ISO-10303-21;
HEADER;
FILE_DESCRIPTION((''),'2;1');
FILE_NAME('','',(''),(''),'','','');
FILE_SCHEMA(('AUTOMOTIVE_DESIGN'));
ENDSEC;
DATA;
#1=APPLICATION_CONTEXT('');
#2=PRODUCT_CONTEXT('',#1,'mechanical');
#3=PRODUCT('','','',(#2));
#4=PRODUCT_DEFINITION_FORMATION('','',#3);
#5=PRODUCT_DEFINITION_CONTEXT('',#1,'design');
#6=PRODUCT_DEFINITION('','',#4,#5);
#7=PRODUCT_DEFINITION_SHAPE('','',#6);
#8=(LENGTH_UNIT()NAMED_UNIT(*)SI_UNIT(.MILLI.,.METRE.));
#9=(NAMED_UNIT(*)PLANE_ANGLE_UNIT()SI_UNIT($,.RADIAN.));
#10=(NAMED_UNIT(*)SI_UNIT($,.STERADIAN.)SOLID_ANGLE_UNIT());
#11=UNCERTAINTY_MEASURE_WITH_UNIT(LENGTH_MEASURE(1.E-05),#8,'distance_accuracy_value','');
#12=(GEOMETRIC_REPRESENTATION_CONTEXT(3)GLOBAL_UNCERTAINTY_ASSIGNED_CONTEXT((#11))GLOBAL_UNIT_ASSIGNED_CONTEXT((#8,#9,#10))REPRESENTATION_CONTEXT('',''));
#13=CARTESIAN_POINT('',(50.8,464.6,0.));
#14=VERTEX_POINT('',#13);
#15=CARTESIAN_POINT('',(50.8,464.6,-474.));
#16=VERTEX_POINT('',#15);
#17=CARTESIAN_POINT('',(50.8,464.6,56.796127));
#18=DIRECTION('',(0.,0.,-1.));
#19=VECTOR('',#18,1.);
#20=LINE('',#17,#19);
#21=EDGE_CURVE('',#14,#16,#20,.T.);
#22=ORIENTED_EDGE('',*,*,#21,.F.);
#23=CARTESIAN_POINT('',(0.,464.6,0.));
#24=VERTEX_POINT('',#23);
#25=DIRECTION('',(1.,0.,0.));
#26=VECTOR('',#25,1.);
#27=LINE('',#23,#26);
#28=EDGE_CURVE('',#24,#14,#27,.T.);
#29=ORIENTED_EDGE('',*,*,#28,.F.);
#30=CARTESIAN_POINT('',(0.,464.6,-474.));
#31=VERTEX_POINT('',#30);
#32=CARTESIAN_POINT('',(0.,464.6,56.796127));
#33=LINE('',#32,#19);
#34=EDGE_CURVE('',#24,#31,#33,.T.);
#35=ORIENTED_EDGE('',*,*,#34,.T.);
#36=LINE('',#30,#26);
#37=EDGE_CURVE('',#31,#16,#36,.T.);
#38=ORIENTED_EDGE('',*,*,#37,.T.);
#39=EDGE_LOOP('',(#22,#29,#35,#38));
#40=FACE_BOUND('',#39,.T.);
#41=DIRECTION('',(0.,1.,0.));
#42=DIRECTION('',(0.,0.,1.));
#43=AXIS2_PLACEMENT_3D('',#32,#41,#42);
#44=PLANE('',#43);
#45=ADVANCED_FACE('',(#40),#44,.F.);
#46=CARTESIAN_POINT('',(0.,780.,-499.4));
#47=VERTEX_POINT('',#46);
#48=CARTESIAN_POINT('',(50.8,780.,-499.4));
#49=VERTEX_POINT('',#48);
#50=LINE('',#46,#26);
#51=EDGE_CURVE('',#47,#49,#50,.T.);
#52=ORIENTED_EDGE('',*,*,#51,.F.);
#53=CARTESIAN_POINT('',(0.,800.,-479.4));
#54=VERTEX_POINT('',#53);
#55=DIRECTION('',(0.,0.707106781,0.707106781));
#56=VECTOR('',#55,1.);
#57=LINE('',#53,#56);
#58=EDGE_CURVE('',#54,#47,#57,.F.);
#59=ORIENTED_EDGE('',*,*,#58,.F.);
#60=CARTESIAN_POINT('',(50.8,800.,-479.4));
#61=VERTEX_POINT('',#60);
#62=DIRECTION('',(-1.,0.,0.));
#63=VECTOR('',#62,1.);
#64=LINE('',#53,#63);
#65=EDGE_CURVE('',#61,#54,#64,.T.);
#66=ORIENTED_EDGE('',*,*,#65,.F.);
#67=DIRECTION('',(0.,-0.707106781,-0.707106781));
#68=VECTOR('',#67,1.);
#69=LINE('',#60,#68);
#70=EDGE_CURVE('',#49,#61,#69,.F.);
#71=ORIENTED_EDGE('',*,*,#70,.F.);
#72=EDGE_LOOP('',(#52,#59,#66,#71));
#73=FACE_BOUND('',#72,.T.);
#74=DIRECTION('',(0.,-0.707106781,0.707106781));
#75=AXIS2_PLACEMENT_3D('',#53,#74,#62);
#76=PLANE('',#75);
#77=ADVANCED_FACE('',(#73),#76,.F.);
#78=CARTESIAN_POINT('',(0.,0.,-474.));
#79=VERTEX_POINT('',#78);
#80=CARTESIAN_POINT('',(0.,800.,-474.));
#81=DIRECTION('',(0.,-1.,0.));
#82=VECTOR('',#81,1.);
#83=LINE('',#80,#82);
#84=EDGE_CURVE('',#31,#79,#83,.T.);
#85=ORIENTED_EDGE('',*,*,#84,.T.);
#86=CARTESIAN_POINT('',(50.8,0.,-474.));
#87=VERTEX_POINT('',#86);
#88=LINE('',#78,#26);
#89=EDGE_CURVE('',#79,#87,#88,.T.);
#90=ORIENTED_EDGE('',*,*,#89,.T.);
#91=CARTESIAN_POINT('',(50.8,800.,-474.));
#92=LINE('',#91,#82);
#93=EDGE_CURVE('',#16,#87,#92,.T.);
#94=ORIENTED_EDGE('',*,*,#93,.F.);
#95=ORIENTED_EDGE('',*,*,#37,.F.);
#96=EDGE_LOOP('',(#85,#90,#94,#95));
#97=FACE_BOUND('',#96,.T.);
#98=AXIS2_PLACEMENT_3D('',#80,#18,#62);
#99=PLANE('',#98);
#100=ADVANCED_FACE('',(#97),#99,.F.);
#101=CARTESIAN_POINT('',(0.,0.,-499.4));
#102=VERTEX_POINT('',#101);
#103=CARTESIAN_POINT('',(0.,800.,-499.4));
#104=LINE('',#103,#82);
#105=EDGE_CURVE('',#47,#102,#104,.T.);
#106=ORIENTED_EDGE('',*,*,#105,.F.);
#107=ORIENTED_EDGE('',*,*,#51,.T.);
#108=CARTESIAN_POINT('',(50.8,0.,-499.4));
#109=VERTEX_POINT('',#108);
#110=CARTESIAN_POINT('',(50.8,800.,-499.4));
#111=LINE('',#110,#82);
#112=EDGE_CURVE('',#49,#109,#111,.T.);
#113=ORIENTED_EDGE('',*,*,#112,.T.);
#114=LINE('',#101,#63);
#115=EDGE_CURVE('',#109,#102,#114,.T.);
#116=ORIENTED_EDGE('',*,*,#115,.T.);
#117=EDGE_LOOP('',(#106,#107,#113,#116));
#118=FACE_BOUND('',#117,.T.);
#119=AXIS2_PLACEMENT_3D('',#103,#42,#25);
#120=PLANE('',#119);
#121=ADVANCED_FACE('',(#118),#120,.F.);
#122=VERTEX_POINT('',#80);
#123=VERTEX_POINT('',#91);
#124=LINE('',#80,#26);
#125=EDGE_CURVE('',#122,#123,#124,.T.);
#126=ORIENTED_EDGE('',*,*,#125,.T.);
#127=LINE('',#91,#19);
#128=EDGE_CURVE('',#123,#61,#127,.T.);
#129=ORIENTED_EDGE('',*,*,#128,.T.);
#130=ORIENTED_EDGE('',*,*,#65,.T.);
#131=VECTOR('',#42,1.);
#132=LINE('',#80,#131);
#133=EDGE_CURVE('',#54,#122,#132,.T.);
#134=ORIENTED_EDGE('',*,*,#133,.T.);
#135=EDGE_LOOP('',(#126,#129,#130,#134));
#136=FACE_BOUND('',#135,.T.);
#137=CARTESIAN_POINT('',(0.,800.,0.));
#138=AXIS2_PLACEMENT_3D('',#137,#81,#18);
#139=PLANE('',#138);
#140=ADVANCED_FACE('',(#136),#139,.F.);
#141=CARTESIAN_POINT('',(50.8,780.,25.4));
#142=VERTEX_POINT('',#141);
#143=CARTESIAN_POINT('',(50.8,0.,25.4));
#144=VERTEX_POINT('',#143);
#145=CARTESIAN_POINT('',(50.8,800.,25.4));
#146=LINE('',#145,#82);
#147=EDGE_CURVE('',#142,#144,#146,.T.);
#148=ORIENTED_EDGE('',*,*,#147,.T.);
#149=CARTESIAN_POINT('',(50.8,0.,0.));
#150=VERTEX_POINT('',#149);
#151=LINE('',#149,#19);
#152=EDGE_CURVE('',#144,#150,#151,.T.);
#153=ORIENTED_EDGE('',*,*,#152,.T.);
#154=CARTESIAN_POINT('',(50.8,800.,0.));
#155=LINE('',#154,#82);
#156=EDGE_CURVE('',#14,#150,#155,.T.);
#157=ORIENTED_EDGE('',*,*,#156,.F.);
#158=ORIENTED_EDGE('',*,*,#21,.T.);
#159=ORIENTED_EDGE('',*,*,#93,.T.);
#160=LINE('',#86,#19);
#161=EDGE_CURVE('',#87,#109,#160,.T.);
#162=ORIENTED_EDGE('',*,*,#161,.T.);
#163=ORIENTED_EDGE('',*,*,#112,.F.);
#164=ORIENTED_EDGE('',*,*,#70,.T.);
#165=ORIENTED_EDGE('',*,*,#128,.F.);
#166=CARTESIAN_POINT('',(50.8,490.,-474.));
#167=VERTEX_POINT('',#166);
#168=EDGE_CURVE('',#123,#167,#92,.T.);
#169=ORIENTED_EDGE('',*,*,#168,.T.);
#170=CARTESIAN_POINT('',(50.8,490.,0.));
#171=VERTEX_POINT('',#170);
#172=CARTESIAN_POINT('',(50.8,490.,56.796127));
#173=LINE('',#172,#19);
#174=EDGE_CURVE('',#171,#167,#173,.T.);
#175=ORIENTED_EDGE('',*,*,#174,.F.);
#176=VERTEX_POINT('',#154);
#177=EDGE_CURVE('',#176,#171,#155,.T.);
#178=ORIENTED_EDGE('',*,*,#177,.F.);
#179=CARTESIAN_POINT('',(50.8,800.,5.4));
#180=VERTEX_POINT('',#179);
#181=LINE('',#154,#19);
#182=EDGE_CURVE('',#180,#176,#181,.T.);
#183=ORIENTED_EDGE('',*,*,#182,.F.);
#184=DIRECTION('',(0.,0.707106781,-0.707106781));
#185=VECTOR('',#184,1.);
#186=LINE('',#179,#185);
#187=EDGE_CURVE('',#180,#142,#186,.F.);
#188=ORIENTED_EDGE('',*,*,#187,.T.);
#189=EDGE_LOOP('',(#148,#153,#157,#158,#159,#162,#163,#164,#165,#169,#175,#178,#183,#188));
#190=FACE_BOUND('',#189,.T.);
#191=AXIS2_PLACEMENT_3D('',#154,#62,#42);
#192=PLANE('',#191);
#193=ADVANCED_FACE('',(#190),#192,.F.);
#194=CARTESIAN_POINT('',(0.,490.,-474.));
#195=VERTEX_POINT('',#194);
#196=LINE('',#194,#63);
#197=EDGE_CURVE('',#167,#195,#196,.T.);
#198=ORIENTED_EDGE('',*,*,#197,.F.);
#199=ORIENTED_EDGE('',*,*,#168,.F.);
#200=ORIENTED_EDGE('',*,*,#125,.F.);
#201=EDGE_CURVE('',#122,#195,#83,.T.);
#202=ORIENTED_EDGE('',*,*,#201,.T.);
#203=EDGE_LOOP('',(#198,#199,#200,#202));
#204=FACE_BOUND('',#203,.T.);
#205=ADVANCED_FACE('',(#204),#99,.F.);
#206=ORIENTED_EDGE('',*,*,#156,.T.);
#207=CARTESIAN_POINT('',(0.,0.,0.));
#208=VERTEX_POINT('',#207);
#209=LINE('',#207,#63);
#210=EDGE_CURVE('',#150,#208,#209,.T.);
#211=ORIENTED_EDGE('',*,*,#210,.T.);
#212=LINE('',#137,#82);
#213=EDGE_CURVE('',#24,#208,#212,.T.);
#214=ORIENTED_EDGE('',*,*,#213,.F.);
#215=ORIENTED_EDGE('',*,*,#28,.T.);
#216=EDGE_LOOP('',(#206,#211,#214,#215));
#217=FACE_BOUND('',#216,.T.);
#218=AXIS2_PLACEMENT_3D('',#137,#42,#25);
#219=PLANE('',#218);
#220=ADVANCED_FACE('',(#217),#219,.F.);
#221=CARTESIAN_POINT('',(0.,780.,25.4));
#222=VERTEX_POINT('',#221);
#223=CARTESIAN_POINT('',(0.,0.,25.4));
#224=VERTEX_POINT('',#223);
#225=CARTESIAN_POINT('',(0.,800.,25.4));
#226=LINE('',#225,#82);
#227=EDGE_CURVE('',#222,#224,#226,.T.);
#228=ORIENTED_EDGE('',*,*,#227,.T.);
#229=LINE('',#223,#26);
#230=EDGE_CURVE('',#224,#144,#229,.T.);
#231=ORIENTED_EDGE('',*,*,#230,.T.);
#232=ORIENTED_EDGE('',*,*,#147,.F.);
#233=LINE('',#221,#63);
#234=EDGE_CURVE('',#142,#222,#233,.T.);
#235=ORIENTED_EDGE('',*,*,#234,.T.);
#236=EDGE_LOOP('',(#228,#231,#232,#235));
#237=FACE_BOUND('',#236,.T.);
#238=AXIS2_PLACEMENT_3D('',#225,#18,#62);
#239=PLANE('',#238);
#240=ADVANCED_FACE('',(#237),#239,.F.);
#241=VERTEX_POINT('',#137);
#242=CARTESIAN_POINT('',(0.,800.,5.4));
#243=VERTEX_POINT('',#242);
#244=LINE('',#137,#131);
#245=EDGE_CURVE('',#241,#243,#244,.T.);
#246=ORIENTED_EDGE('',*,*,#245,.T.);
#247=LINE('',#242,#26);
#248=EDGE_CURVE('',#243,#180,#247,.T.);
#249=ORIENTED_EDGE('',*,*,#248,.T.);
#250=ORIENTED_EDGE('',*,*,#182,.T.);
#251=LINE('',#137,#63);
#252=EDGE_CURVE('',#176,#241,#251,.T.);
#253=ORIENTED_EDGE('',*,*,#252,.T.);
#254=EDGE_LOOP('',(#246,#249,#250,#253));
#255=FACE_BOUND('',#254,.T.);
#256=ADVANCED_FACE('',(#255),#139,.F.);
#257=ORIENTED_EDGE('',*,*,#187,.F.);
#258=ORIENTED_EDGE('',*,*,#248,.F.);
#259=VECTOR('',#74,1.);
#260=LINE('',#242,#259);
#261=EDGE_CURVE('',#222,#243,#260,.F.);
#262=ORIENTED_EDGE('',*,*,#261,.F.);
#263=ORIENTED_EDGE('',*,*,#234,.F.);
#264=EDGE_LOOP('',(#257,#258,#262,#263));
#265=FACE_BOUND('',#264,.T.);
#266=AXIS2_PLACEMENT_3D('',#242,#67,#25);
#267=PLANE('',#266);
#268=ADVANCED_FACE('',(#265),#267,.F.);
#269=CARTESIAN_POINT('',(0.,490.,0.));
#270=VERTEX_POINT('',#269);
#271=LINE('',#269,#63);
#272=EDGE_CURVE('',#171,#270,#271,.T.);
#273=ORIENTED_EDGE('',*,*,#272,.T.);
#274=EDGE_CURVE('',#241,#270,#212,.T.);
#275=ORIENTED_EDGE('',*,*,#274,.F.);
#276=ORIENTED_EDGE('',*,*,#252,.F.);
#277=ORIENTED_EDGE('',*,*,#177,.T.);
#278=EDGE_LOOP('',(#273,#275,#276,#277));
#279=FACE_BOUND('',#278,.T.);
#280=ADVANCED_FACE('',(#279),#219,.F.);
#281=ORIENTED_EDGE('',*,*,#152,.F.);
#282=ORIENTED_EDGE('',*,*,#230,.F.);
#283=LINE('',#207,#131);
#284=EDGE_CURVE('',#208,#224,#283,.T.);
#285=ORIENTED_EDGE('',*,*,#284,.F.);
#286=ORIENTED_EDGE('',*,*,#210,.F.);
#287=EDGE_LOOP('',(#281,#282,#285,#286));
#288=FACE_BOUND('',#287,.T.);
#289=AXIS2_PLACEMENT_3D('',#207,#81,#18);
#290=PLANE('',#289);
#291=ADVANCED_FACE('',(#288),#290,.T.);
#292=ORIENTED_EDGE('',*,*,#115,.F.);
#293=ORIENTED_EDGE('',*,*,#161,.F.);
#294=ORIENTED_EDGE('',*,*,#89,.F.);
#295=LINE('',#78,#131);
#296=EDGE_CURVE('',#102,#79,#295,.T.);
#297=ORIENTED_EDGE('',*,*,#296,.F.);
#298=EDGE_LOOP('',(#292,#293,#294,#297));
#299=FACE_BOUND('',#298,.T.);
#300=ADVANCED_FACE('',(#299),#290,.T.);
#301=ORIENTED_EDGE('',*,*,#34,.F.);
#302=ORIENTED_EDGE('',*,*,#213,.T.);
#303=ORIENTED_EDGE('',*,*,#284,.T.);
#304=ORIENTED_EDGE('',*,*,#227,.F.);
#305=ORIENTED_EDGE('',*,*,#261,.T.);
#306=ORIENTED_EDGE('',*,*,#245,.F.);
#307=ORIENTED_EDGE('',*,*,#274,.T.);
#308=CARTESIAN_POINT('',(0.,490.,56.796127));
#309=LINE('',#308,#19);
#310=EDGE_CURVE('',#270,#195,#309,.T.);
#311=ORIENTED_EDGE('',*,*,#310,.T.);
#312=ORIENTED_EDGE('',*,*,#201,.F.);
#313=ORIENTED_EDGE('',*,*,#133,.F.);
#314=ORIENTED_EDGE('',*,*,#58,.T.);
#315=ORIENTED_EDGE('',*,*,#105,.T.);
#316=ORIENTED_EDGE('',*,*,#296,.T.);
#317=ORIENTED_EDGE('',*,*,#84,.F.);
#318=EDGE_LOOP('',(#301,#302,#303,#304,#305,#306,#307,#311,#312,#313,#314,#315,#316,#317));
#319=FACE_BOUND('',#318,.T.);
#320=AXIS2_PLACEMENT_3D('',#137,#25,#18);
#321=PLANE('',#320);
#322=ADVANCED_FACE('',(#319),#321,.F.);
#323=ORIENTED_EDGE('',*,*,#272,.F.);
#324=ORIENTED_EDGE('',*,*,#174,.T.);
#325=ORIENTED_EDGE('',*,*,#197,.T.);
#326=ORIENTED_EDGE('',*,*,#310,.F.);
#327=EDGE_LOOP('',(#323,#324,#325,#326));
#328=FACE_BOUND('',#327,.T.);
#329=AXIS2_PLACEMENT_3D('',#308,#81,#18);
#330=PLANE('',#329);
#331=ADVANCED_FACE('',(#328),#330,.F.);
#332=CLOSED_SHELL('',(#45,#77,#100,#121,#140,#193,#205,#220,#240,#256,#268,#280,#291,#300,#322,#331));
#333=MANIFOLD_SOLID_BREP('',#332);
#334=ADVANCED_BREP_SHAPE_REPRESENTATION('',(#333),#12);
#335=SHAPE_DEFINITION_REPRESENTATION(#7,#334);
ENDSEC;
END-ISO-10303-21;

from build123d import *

# Parameters (mm, degrees)
CROQUIS2_W                = 50.8
CROQUIS2_H                = 25.4
SALIENTE_EXTRUIR1_DEPTH   = 800
SALIENTE_EXTRUIR1_2_DEPTH = 800
CROQUIS3_W                = 50.8
CROQUIS3_H                = 25.4
SALIENTE_EXTRUIR2_DEPTH   = 474
CHAFL_N1_SIZE             = 20


with BuildPart() as part:
    # Croquis2 → Saliente-Extruir1 (new body)
    with BuildSketch(Plane(origin=(0, 0, 0), x_dir=(1, 0, 0), z_dir=(0, 1, 0))):
        with Locations((25.4, -12.7)):
            Rectangle(CROQUIS2_W, CROQUIS2_H)
    extrude(amount=SALIENTE_EXTRUIR1_DEPTH)



with BuildPart() as body_2:
    # Croquis2 → Saliente-Extruir1 2 (new body)
    with BuildSketch(Plane(origin=(0, 0, 0), x_dir=(1, 0, 0), z_dir=(0, 1, 0))):
        with Locations((25.4, 486.7)):
            Rectangle(CROQUIS2_W, CROQUIS2_H)
    extrude(amount=SALIENTE_EXTRUIR1_2_DEPTH)


with BuildPart() as part_1:
    add(part.part)

    add(body_2.part)  # Saliente-Extruir2 merges body 2
    # Croquis3 → Saliente-Extruir2 (add)
    with BuildSketch(Plane.XY.offset(-474)):
        with Locations((25.4, 477.3)):
            Rectangle(CROQUIS3_W, CROQUIS3_H)
    extrude(amount=SALIENTE_EXTRUIR2_DEPTH)

    # Chaflán1
    chafl_n1_edges = [part_1.edges().sort_by_distance(p)[0] for p in [
        (25.4, 800, 25.4),
        (25.4, 800, -499.4),
    ]]
    chamfer(chafl_n1_edges, length=CHAFL_N1_SIZE)


solid = part_1.part
